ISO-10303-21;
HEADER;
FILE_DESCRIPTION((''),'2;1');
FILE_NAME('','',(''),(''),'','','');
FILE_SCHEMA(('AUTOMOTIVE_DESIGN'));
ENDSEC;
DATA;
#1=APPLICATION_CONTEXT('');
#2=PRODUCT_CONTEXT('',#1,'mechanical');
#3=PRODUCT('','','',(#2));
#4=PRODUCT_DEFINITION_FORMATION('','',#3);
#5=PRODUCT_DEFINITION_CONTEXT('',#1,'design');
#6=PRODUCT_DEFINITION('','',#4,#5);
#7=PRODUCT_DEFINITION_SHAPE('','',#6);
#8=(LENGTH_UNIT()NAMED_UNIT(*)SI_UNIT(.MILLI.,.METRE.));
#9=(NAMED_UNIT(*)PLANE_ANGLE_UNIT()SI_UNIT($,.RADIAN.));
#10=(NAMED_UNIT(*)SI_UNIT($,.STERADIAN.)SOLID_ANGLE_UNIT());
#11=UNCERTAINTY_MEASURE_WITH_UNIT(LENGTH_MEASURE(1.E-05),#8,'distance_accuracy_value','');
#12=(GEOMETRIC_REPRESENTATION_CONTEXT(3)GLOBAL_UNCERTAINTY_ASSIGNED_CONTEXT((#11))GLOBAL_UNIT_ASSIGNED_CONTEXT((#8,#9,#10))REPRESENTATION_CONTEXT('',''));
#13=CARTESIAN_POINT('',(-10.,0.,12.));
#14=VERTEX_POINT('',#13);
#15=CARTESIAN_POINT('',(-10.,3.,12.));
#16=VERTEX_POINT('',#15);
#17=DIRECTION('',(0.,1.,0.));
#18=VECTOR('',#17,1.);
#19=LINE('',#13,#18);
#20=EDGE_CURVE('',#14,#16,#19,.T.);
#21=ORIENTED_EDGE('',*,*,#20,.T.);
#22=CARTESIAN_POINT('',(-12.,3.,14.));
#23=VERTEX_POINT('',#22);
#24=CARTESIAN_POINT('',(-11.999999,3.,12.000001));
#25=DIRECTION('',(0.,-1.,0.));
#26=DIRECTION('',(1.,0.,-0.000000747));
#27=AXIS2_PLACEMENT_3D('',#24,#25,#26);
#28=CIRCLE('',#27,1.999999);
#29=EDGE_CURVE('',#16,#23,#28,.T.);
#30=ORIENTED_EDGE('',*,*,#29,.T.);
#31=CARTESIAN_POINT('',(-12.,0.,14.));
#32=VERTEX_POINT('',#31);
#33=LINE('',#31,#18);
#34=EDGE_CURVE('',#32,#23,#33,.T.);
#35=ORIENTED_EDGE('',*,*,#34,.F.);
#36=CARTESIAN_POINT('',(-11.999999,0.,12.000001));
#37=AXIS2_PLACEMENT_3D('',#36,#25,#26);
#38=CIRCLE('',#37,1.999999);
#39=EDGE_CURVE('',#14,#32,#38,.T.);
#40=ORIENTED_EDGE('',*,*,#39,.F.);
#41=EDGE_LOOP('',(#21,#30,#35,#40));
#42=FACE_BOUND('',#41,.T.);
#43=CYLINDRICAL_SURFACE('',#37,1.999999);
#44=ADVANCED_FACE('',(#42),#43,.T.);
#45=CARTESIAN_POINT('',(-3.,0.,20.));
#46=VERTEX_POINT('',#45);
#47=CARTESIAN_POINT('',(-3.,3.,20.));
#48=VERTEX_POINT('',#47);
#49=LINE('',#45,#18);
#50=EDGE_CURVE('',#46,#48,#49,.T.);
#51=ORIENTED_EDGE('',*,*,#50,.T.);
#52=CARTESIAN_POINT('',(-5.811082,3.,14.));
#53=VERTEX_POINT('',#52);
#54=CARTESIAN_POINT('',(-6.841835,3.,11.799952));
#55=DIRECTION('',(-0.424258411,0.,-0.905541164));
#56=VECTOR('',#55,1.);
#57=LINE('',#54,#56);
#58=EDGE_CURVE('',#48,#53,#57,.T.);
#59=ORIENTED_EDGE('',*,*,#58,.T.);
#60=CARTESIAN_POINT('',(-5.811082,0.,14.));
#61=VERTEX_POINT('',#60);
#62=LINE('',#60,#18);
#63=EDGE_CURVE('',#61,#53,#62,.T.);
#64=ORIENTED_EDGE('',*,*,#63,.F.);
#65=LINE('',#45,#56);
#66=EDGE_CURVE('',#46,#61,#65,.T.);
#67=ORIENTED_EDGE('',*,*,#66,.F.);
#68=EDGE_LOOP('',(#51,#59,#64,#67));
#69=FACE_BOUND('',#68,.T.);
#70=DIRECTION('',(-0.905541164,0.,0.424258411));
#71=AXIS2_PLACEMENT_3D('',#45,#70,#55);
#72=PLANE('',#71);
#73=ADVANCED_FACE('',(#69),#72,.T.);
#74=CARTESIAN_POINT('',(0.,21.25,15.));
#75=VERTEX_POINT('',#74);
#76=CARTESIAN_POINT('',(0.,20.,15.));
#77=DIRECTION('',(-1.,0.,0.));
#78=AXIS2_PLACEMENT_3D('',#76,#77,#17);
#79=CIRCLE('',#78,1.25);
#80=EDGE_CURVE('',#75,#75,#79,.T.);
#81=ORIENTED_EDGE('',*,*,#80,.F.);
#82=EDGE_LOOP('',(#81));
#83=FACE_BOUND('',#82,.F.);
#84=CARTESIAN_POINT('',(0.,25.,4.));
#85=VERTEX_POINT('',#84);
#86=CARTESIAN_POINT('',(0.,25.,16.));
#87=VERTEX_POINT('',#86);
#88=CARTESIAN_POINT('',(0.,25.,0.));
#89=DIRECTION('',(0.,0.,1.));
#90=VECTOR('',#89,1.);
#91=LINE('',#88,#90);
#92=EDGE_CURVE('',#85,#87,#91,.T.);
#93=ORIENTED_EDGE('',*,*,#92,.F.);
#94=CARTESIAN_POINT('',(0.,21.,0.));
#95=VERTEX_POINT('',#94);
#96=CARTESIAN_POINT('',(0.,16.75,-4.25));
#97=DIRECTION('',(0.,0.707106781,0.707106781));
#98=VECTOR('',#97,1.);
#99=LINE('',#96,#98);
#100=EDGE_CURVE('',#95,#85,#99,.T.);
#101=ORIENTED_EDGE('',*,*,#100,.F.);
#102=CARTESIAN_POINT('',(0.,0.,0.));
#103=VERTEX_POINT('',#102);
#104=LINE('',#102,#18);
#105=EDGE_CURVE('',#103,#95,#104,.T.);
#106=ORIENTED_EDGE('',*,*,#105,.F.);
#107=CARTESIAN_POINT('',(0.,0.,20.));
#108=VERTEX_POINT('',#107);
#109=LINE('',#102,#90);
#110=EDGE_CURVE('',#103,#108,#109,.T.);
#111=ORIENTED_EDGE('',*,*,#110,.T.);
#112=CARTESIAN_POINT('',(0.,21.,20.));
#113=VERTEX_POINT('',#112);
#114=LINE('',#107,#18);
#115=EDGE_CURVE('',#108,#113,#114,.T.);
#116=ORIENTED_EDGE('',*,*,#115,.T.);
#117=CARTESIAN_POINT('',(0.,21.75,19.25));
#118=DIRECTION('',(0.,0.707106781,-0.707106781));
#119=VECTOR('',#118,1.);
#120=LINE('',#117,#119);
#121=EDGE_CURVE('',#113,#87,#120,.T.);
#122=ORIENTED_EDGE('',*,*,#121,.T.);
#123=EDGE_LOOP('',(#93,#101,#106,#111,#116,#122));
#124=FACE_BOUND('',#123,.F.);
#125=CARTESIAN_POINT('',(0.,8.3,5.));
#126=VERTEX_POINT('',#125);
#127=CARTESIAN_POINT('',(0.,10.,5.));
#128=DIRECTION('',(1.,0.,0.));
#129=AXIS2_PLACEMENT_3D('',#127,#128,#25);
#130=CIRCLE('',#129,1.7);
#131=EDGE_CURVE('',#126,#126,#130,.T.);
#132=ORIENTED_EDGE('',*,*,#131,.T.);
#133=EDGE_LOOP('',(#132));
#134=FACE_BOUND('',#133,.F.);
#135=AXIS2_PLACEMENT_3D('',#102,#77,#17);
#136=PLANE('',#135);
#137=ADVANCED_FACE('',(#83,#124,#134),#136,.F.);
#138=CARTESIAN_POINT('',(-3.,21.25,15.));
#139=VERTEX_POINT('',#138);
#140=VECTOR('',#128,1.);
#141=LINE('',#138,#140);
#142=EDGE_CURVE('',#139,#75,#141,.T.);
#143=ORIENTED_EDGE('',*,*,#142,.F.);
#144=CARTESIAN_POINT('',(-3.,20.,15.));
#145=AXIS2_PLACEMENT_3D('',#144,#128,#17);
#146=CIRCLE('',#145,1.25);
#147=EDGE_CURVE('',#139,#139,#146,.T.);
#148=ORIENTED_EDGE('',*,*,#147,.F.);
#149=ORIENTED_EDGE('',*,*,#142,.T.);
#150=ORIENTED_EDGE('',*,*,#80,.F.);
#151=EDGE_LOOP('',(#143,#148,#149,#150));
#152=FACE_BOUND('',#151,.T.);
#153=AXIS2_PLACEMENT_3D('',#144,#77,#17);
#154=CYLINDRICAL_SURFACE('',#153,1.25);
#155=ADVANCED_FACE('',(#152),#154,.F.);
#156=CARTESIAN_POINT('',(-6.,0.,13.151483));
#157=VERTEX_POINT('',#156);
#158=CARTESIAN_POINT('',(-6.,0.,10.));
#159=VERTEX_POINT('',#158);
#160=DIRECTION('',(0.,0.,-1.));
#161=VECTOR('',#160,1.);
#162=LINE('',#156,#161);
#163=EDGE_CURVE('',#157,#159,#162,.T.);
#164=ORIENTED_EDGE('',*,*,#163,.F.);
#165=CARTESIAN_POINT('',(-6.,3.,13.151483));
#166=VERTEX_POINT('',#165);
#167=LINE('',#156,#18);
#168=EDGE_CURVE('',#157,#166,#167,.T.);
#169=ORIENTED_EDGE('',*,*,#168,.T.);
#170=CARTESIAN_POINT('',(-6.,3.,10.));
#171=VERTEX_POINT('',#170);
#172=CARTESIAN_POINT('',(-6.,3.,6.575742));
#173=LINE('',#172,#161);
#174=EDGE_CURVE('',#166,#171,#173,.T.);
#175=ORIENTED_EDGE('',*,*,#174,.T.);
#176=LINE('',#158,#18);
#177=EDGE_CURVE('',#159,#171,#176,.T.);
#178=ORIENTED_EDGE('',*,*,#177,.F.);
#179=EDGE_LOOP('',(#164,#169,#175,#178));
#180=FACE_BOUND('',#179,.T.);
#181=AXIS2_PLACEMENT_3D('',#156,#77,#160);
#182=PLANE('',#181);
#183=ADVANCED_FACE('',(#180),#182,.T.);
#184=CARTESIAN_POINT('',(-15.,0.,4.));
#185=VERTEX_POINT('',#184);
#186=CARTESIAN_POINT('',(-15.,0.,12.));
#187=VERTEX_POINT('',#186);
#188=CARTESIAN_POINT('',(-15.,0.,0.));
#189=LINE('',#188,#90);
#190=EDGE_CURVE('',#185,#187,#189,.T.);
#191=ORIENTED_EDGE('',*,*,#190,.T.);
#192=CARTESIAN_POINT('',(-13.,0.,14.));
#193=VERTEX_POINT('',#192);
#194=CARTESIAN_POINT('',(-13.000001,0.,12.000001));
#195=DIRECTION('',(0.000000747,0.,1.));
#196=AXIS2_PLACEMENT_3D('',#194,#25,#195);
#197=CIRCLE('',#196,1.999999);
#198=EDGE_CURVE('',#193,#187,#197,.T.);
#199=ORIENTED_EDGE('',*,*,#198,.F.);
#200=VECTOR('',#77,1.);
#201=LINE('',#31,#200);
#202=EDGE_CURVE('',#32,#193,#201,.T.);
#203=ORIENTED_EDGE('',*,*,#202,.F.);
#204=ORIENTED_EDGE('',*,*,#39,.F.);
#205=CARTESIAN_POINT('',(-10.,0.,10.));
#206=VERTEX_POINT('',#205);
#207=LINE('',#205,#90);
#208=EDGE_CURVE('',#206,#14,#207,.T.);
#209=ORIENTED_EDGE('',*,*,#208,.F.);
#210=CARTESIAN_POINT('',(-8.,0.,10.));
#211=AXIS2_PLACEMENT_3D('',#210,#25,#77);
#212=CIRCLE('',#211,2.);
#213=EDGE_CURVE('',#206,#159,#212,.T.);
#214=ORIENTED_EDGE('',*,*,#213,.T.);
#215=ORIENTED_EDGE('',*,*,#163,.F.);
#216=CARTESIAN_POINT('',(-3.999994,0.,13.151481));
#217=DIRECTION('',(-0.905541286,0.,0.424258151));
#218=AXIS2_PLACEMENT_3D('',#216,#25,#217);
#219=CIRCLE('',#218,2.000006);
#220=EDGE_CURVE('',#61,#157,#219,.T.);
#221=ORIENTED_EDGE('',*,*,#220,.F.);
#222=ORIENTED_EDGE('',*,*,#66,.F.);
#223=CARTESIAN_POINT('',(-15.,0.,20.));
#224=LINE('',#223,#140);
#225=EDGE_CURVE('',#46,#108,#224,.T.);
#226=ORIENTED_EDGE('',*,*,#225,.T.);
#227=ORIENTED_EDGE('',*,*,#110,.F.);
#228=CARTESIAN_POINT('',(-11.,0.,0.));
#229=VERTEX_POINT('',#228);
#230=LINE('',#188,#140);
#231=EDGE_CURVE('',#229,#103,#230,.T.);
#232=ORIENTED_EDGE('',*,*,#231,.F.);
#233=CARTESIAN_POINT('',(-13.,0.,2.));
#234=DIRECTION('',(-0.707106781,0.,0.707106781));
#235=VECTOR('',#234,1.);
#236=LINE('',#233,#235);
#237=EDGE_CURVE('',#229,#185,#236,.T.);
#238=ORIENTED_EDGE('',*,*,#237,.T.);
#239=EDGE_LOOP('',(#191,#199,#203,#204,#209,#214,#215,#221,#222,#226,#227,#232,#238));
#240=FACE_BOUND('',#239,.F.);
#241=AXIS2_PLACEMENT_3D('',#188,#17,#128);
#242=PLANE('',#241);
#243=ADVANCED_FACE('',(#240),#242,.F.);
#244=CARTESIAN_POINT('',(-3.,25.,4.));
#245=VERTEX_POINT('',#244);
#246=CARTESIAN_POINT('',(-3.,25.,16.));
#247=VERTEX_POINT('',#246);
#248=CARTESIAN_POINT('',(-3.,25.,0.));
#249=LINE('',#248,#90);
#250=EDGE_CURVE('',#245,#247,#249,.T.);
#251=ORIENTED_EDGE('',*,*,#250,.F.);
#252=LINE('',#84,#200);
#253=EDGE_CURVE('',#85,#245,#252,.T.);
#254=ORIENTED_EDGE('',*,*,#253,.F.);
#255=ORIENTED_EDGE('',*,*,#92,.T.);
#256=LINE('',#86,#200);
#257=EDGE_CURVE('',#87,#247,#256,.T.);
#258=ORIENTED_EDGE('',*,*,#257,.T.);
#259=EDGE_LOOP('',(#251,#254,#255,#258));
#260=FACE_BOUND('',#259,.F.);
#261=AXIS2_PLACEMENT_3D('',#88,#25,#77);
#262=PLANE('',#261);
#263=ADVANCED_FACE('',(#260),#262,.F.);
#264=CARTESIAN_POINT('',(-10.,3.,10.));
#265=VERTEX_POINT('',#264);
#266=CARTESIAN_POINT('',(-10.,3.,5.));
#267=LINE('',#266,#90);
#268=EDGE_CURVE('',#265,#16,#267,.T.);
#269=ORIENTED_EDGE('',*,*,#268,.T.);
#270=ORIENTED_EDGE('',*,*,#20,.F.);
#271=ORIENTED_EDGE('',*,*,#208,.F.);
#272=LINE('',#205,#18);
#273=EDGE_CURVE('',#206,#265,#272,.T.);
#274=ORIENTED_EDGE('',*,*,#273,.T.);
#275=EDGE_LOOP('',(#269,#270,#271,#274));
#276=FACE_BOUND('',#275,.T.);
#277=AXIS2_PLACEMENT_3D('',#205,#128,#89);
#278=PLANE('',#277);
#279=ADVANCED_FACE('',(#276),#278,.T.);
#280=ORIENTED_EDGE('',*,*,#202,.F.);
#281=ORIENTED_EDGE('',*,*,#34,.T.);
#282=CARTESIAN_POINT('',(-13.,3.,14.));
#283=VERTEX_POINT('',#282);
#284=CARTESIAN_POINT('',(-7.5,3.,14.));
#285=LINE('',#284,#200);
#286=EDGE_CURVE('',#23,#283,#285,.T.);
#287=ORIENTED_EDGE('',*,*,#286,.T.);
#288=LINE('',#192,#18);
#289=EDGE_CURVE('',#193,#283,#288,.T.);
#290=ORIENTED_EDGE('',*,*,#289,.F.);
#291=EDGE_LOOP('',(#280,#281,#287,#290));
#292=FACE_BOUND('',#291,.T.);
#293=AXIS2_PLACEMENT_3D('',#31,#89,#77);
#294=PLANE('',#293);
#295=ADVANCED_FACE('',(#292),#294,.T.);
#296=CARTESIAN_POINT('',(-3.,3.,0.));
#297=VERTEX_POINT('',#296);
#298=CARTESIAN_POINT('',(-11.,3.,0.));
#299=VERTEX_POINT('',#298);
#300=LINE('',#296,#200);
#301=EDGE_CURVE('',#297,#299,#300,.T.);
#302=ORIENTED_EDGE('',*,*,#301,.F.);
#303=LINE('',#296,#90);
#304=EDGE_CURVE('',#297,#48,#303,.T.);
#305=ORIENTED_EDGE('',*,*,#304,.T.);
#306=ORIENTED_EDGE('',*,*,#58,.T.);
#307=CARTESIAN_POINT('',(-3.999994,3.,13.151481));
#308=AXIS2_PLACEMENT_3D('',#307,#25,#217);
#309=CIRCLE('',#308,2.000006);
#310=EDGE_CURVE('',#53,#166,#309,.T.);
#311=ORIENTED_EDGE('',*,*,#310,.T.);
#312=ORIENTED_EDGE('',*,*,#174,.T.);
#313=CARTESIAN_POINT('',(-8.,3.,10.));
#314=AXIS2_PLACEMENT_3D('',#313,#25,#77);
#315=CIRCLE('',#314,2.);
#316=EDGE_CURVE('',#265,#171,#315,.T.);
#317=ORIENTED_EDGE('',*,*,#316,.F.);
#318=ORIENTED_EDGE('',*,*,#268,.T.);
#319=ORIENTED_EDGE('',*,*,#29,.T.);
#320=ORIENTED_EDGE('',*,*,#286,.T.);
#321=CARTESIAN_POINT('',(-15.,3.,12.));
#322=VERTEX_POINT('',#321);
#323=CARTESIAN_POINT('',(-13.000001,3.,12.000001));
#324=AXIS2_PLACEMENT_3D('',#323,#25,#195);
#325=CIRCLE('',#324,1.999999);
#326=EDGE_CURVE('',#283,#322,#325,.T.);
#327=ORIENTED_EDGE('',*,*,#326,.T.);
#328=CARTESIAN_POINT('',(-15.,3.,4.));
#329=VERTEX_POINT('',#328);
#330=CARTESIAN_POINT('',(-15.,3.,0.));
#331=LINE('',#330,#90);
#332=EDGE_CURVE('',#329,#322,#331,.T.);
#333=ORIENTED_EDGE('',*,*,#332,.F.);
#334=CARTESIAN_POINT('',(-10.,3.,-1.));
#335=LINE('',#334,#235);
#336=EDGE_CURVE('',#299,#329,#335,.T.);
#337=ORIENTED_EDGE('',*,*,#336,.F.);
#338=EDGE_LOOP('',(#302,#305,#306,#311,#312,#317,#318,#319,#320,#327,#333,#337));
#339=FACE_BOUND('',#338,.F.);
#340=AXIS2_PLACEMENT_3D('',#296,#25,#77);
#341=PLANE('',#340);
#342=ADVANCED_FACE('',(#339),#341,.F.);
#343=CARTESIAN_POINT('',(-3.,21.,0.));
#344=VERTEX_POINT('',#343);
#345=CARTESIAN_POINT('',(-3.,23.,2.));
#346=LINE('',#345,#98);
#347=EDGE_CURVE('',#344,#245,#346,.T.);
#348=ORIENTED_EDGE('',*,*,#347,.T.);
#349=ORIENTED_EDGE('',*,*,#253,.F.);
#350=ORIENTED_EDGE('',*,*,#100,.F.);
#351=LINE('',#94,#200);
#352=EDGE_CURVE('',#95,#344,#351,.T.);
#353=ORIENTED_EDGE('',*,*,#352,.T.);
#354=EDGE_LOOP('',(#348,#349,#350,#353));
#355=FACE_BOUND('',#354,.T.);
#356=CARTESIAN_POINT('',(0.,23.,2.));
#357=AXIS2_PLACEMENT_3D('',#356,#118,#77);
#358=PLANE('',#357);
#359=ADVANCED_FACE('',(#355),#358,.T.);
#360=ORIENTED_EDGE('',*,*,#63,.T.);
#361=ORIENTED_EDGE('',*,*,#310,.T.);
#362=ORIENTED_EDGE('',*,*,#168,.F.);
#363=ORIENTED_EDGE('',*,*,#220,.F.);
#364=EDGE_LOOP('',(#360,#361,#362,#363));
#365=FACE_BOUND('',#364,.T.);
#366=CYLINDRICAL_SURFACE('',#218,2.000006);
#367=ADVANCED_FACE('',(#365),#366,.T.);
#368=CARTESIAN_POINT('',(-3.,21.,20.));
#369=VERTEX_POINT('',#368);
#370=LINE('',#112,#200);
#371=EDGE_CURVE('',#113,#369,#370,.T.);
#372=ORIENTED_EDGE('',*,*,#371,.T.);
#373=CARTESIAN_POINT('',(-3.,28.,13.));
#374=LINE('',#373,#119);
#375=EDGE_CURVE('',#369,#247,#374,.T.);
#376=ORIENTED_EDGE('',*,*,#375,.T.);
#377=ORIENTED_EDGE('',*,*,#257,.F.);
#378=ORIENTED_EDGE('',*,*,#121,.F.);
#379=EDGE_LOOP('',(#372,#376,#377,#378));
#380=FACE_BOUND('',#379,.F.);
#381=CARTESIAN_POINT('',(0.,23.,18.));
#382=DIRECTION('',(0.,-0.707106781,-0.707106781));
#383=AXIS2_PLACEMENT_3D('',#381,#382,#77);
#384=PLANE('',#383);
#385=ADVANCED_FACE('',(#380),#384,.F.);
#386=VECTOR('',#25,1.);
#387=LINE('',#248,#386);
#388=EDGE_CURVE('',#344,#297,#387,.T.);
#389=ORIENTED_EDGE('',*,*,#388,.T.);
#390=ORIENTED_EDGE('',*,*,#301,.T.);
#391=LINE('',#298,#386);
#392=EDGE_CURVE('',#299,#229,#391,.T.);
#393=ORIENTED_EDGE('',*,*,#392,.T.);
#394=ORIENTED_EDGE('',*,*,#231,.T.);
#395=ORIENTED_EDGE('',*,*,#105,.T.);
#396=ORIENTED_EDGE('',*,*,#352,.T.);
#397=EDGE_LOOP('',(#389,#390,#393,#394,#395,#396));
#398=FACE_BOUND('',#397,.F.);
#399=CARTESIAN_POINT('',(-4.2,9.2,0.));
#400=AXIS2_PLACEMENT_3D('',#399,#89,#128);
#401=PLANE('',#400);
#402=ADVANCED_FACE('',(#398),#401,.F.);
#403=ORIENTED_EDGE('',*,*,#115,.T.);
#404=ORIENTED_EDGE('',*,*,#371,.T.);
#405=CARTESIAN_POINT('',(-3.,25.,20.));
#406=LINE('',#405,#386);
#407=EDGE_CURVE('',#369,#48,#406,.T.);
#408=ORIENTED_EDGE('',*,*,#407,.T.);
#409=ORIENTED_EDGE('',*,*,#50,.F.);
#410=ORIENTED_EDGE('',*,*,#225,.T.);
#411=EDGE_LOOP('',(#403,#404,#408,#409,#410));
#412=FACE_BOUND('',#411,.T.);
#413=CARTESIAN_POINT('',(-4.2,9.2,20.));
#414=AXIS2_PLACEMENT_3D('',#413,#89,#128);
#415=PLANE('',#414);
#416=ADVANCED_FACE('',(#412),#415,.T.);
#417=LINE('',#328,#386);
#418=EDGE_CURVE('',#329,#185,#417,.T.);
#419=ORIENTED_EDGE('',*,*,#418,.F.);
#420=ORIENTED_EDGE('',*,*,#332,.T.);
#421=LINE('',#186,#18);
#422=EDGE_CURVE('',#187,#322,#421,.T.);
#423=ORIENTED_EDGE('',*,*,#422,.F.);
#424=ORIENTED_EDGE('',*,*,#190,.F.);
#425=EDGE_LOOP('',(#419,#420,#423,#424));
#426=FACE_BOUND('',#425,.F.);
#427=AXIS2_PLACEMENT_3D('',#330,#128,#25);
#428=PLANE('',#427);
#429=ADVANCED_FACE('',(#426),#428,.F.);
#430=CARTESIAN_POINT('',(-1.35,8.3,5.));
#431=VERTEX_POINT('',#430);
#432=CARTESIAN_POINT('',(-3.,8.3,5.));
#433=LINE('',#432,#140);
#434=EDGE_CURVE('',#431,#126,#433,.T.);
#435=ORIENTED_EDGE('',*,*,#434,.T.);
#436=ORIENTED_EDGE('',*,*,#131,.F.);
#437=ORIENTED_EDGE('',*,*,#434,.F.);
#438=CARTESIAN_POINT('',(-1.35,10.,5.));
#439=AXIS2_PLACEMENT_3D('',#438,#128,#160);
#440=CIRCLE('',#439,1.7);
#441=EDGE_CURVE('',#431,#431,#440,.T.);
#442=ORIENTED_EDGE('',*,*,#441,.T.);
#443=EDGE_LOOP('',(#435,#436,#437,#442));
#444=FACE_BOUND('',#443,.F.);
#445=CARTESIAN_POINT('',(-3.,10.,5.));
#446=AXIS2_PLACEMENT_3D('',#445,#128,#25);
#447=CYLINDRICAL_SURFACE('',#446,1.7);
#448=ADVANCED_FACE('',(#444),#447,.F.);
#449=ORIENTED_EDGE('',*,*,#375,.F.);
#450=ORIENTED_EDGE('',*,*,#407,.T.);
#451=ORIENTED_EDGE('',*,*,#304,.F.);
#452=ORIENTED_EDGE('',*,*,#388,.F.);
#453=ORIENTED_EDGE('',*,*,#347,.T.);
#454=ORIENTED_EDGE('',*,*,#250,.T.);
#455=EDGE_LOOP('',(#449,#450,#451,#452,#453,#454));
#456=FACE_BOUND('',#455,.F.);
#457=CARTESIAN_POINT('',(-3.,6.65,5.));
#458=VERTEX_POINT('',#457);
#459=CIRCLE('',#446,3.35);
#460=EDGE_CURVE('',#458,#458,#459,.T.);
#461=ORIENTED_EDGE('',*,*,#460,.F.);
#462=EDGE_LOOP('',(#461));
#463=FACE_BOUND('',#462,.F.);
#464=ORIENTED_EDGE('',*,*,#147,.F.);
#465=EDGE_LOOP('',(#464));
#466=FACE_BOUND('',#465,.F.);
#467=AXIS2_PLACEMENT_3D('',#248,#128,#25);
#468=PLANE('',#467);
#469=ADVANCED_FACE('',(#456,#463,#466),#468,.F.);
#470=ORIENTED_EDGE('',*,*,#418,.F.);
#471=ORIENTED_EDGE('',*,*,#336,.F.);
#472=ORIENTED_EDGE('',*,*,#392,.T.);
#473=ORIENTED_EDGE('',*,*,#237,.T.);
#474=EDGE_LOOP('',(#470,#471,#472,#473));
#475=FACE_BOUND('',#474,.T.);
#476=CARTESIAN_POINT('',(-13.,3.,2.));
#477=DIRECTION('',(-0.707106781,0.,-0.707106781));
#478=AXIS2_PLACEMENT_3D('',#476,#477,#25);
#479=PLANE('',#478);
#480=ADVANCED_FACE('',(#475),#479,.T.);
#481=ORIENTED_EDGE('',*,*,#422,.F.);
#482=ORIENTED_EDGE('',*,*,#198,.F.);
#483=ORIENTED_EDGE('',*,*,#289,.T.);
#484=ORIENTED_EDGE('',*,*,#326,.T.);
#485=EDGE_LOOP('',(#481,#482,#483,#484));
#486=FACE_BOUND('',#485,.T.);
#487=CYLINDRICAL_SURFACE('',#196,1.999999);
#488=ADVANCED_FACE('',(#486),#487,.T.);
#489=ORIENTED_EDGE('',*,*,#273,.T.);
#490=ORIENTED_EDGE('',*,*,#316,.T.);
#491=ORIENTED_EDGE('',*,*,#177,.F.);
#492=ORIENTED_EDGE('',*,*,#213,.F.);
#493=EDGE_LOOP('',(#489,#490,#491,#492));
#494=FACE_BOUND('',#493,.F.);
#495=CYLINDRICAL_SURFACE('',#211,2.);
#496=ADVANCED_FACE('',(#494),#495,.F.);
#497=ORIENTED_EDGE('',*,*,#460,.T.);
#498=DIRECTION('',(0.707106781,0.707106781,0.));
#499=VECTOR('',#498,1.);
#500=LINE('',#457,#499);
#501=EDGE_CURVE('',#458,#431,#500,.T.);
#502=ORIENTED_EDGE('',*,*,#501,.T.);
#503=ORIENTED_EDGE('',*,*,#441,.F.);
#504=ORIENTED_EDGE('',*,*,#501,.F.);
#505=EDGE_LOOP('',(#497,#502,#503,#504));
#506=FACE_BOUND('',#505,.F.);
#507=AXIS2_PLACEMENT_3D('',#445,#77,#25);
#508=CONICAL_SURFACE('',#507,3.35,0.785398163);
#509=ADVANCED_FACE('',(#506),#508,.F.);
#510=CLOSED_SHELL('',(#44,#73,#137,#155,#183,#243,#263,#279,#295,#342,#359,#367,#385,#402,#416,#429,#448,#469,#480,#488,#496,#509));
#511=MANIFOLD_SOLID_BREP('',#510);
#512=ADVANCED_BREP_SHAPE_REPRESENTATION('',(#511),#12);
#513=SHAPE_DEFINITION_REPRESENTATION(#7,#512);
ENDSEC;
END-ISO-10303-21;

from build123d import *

# Parameters (mm, degrees)
PAD_DEPTH        = 20
POCKET_DEPTH     = 25.001
HOLE_D           = 3.4
HOLE_DEPTH       = 25
HOLE_CSINK_D     = 6.7
HOLE_CSINK_ANGLE = 90
SKETCH029_R      = 1.25
HOLE002_DEPTH    = 3.001
CHAMFER003_SIZE  = 4


with BuildPart() as part:
    # Sketch → Pad (new body)
    with BuildSketch(Plane.XY):
        Polygon((0, 0), (0, 25), (-3, 25), (-3, 3), (-15, 3), (-15, 0), align=None)
    extrude(amount=PAD_DEPTH)

    # Sketch027 → Pocket (cut, through all)
    with BuildSketch(Plane.XZ):
        with BuildLine():
            Line((-3, 20), (-5.811082, 14))
            ThreePointArc((-5.811082, 14), (-5.952199, 13.58613), (-6, 13.151483))
            Line((-6, 13.151483), (-6, 10))
            ThreePointArc((-10, 10), (-8, 8), (-6, 10))
            Line((-10, 10), (-10, 12))
            ThreePointArc((-10, 12), (-10.585786, 13.414214), (-12, 14))
            Line((-12, 14), (-13, 14))
            ThreePointArc((-13, 14), (-14.414214, 13.414214), (-15, 12))
            Line((-15, 12), (-15, 20))
            Line((-15, 20), (-3, 20))
        make_face()
    extrude(amount=-POCKET_DEPTH, mode=Mode.SUBTRACT)

    # Hole
    with Locations(Plane(origin=(-3, 0, 0), x_dir=(0, 1, 0), z_dir=(-1, 0, 0))):
        with Locations((10, -5)):
            CounterSinkHole(HOLE_D / 2, HOLE_CSINK_D / 2, depth=HOLE_DEPTH, counter_sink_angle=HOLE_CSINK_ANGLE)

    # Sketch029 → Hole002 (cut, through all)
    with BuildSketch(Plane.YZ.offset(-3)):
        with Locations((20, 15)):
            Circle(SKETCH029_R)
    extrude(amount=HOLE002_DEPTH, mode=Mode.SUBTRACT)

    # Chamfer003
    chamfer003_edges = [part.edges().sort_by_distance(p)[0] for p in [
        (-15, 1.5, 0),
        (-1.5, 25, 0),
        (-1.5, 25, 20),
    ]]
    chamfer(chamfer003_edges, length=CHAMFER003_SIZE)


solid = part.part
